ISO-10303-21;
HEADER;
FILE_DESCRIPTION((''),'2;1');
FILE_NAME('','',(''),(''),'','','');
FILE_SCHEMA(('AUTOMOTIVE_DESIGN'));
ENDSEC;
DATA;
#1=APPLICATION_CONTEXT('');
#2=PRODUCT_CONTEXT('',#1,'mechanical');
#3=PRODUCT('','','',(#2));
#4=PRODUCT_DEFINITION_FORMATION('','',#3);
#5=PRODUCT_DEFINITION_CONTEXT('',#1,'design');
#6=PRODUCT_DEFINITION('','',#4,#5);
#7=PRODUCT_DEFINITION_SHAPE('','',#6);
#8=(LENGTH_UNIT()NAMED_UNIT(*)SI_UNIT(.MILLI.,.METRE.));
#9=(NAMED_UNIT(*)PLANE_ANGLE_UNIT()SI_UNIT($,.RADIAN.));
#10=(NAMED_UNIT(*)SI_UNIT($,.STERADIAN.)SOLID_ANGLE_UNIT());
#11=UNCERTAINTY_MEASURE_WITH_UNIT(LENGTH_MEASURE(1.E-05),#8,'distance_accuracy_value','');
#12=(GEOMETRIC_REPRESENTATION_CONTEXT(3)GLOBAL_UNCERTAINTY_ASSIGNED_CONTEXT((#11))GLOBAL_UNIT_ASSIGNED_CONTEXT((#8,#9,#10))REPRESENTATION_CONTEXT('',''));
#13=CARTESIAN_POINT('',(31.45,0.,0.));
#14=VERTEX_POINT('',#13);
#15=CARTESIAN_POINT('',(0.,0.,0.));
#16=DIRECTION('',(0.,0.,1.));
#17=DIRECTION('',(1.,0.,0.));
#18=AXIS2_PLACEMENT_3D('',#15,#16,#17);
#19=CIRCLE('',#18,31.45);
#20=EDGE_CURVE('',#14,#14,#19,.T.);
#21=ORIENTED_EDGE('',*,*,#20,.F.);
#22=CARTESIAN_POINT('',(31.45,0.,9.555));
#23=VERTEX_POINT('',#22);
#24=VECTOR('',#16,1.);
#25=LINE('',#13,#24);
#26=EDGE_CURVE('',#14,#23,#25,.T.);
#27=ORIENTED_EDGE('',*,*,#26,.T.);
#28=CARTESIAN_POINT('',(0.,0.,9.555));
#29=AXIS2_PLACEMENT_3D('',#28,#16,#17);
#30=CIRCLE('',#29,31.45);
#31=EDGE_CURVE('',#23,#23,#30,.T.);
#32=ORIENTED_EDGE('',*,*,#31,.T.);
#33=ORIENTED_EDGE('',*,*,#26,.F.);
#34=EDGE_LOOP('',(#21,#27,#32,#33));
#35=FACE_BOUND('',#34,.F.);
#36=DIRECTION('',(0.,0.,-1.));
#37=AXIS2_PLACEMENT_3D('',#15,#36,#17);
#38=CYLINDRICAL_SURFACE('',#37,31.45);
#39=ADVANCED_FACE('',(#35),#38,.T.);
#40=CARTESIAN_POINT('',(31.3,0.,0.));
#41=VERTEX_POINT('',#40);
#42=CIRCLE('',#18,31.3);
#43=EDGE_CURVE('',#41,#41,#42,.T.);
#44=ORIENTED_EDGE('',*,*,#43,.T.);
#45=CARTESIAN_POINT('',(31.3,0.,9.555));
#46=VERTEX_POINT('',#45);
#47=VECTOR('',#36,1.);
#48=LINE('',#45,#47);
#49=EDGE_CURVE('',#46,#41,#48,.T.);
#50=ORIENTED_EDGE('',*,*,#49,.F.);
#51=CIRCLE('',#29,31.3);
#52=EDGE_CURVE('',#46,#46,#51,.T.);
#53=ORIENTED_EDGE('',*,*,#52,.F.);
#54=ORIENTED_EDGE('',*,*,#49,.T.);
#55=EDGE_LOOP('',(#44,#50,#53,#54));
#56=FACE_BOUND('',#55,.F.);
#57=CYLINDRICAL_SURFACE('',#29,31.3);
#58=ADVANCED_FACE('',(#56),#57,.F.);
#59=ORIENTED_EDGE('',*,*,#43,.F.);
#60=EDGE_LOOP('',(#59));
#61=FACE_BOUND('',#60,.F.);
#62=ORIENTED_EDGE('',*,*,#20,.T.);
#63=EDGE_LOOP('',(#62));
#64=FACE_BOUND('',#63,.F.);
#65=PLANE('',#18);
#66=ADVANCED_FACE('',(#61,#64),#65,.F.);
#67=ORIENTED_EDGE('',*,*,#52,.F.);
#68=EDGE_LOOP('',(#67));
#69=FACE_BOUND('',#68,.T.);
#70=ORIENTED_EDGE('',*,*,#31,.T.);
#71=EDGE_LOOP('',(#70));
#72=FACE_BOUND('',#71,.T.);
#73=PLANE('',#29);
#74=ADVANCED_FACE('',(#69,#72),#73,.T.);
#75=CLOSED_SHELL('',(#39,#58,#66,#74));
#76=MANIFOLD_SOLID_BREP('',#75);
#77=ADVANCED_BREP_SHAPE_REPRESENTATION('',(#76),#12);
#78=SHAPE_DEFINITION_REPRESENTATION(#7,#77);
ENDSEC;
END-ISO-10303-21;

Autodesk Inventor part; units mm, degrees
ref_plane "YZ Plane" through (0, 0, 0) normal (1, 0, 0) x (0, 1, 0)
ref_plane "XZ Plane" through (0, 0, 0) normal (0, 1, 0) x (-1, 0, 0)
ref_plane "XY Plane" through (0, 0, 0) normal (0, 0, 1) x (1, 0, 0)
sketch "Sketch1" plane through (0, 0, 0) normal (0, 0, 1) x (1, 0, 0)
  circle A0 centre (0, 0) radius 31.45
  dimension "d0" = 62.9
extrude "Extrusion1" add sketch "Sketch1" along normal blind 9.555
sketch "Sketch2" plane through (0, 0, 9.555) normal (0, 0, 1) x (1, 0, 0)
  circle A0 centre (0, 0) radius 31.3
  dimension "d3" = 62.6
extrude "Extrusion2" cut sketch "Sketch2" against normal through all
properties part number "BNG_REV_00_3"
